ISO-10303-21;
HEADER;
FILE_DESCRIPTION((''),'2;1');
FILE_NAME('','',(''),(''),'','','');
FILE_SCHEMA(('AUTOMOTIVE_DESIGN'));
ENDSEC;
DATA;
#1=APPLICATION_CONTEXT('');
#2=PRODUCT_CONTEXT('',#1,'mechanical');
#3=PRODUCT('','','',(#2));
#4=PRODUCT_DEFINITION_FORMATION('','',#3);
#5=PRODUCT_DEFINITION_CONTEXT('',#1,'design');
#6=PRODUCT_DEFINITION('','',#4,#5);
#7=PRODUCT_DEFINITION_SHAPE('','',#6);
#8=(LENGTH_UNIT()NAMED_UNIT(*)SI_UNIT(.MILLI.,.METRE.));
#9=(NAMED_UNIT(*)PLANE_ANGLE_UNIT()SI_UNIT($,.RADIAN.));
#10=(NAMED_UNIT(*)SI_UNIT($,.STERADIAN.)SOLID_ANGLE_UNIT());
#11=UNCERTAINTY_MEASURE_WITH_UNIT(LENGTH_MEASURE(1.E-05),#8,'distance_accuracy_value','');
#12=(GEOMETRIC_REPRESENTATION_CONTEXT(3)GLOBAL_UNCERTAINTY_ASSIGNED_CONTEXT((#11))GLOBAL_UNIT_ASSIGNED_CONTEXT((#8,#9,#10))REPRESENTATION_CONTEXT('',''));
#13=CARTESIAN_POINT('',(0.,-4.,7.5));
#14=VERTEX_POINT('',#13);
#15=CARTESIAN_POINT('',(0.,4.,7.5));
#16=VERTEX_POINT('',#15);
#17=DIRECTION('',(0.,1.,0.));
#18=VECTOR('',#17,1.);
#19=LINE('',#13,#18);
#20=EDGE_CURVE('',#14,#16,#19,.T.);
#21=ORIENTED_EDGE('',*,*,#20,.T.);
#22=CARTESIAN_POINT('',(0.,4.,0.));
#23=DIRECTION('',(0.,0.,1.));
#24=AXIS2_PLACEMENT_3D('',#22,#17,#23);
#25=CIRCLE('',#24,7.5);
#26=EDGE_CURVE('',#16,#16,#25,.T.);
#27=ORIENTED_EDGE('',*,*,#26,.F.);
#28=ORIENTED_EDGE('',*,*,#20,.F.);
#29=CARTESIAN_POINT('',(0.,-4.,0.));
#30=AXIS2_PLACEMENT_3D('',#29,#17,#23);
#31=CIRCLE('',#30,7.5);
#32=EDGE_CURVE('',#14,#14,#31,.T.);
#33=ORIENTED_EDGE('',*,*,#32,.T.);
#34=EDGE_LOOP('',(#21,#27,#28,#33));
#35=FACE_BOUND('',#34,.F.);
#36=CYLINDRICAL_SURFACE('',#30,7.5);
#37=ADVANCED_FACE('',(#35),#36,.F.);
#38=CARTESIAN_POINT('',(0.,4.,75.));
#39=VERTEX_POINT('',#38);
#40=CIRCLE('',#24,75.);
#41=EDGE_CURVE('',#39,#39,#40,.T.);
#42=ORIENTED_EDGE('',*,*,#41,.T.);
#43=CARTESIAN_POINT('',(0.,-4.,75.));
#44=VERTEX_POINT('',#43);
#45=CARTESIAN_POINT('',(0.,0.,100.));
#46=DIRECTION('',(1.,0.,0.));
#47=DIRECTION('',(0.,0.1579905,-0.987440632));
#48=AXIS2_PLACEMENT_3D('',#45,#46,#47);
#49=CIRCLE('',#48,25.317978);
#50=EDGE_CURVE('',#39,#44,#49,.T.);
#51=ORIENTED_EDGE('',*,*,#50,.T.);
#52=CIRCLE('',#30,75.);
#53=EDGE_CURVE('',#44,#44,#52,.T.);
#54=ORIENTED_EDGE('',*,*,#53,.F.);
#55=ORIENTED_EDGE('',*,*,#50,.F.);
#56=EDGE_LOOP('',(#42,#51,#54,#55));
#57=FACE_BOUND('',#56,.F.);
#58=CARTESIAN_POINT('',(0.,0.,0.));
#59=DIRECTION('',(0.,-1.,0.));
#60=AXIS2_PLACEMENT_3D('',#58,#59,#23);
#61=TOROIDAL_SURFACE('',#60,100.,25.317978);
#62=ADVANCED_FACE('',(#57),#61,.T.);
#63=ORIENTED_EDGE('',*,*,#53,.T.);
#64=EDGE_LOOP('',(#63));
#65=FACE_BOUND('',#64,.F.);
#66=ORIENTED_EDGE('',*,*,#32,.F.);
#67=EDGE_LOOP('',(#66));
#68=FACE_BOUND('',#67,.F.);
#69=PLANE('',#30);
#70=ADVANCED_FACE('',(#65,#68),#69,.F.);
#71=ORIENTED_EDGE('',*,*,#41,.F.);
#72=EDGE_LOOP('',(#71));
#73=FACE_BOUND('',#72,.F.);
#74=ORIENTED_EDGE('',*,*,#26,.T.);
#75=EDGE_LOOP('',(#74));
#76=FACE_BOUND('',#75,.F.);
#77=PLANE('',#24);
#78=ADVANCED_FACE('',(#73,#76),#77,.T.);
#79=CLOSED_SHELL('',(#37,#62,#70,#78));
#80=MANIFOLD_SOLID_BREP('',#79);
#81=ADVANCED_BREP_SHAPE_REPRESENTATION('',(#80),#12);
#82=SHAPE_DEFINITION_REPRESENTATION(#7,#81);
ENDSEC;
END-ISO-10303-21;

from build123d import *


with BuildPart() as f1:
    # F0 (on Right) → F1 (revolve)
    with BuildSketch(Plane.YZ):
        with BuildLine():
            Line((-4, 75), (-4, 7.5))
            Line((-4, 7.5), (4, 7.5))
            Line((4, 7.5), (4, 75))
            ThreePointArc((4, 75), (0, 125.317978), (-4, 75))
        make_face()
    revolve(axis=Axis((0, 1.844836, 0), (0, 1, 0)))


solid = f1.part
